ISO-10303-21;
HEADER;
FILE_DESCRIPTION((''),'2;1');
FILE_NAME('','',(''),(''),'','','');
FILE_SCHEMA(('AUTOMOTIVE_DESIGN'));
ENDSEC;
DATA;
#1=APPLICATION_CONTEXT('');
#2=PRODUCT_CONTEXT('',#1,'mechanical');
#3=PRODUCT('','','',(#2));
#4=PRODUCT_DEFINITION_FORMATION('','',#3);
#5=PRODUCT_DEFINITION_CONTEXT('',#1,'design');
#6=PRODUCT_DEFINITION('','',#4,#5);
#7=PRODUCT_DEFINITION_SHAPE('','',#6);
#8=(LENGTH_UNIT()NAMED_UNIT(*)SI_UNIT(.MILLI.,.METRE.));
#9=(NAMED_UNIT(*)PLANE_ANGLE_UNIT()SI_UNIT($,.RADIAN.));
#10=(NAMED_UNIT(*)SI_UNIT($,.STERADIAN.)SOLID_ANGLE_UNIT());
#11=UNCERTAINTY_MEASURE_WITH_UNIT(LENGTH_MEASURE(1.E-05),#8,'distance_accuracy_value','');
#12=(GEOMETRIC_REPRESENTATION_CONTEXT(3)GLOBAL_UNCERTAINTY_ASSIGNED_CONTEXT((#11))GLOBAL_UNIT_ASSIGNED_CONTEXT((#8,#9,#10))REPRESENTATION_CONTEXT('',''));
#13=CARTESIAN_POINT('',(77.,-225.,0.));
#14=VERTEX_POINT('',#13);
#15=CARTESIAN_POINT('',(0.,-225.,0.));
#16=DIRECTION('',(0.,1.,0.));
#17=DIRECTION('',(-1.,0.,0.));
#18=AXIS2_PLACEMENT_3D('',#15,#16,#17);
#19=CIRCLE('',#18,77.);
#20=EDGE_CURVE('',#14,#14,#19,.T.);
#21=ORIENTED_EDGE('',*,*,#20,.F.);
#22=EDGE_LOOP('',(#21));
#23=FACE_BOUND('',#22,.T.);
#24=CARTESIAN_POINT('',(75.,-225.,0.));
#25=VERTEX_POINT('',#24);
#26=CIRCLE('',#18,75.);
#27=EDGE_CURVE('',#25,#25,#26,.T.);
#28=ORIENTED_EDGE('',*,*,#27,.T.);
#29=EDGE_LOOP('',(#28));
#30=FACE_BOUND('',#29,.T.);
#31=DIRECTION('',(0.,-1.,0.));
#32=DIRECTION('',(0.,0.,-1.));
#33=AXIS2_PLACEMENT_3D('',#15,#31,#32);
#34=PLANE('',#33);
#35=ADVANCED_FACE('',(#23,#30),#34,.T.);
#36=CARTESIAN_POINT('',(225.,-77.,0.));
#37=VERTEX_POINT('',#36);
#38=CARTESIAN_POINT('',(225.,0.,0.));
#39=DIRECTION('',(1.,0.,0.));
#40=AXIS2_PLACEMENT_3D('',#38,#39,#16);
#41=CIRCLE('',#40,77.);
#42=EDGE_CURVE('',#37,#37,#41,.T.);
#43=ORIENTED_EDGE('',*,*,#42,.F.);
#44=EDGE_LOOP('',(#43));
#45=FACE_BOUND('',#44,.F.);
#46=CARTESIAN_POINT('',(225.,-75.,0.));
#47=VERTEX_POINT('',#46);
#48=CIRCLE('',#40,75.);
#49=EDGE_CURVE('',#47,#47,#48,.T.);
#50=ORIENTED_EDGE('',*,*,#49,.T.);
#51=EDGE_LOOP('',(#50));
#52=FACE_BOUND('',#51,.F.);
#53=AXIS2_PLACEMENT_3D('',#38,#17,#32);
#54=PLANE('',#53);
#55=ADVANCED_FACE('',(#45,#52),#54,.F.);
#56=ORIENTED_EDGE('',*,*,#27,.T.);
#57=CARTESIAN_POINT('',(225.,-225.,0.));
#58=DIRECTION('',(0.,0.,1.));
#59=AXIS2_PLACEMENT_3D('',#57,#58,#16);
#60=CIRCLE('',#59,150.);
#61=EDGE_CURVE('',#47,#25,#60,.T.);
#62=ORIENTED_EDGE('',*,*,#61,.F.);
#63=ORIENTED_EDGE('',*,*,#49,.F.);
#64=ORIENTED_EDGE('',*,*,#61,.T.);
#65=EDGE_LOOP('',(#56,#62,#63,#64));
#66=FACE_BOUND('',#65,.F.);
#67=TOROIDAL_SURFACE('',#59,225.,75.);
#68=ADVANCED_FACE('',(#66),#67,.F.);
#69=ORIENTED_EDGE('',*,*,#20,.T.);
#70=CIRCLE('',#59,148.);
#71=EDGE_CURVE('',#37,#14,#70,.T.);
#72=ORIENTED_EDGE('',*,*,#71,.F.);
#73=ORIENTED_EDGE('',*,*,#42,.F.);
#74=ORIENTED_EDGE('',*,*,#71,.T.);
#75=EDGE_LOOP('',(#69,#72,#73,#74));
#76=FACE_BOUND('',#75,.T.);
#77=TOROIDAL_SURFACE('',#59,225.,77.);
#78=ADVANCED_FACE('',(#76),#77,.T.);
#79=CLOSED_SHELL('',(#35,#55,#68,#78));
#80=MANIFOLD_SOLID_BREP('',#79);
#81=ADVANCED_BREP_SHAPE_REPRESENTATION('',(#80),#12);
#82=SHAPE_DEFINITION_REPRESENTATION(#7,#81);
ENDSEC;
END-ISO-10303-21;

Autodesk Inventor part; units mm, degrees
ref_plane "YZ Plane" through (0, 0, 0) normal (1, 0, 0) x (0, 1, 0)
ref_plane "XZ Plane" through (0, 0, 0) normal (0, 1, 0) x (-1, 0, 0)
sketch "Szkic6" plane through (0, 0, 0) normal (0, 0, 1) x (1, 0, 0)
  line L0 (-29.6067, 0) -> (35.2678, 0) construction
  line L1 (0, 42.3419) -> (0, -58.3726) construction
  arc A0 (225, 0) -> (0, -225) centre (225, -225) ccw
  line L2 (0, -225) -> (225, -225) construction
  line L3 (225, -225) -> (225, -159.4669) construction
  line L4 (225, 0) -> (225, 0)
  line L5 (0, -225) -> (0, -225)
  point P0 (0, 0)
  dimension "d24" = 225
  dimension "d31" = 90
  dimension "d36" = 0
  dimension "d37" = 0
ref_plane "Płaszczyzna konstrukcyjna2" through (0, -225, 0) normal (0, -1, 0) x (1, 0, 0)
sketch "Szkic8" plane through (0, -225, 0) normal (0, -1, 0) x (1, 0, 0)
  circle A0 centre (0, 0) radius 77
  circle A1 centre (0, 0) radius 75
  dimension "d32" = 154
  dimension "d33" = 2
sweep "Przeciągnięcie2" add profiles "Szkic8" path "Szkic6"
equation "\"d32\" = OD"
equation "\"d33\" = THK"
equation "\"d24\" = R"
equation "\"d31\" = KAT"
equation "\"SzerokośćGięciaPodcięcia\" = Grubość"
equation "\"RozmiarPodcięciaNarożnika\" = 4 * Grubość"
equation "\"PromieńPrzejścia\" = PromieńGięcia"
equation "\"Rozmiar_promienia_Jacobiego\" = PromieńGięcia"
equation "\"Wielk_odstępu\" = Grubość"
equation "\"d2\" = PromieńGięcia"
equation "\"d23\" = PromieńGięcia"
equation "\"R\" = 225"
equation "\"OD\" = 154"
equation "\"THK\" = 2"
equation "\"KAT\" = 90deg"
equation "\"PROSTKA\" = 0"
equation "\"Grubość\" = 1.5"
equation "\"PromieńGięcia\" = 3"
properties part number "Kolano 90° ø154x2 R225" material "304L"
